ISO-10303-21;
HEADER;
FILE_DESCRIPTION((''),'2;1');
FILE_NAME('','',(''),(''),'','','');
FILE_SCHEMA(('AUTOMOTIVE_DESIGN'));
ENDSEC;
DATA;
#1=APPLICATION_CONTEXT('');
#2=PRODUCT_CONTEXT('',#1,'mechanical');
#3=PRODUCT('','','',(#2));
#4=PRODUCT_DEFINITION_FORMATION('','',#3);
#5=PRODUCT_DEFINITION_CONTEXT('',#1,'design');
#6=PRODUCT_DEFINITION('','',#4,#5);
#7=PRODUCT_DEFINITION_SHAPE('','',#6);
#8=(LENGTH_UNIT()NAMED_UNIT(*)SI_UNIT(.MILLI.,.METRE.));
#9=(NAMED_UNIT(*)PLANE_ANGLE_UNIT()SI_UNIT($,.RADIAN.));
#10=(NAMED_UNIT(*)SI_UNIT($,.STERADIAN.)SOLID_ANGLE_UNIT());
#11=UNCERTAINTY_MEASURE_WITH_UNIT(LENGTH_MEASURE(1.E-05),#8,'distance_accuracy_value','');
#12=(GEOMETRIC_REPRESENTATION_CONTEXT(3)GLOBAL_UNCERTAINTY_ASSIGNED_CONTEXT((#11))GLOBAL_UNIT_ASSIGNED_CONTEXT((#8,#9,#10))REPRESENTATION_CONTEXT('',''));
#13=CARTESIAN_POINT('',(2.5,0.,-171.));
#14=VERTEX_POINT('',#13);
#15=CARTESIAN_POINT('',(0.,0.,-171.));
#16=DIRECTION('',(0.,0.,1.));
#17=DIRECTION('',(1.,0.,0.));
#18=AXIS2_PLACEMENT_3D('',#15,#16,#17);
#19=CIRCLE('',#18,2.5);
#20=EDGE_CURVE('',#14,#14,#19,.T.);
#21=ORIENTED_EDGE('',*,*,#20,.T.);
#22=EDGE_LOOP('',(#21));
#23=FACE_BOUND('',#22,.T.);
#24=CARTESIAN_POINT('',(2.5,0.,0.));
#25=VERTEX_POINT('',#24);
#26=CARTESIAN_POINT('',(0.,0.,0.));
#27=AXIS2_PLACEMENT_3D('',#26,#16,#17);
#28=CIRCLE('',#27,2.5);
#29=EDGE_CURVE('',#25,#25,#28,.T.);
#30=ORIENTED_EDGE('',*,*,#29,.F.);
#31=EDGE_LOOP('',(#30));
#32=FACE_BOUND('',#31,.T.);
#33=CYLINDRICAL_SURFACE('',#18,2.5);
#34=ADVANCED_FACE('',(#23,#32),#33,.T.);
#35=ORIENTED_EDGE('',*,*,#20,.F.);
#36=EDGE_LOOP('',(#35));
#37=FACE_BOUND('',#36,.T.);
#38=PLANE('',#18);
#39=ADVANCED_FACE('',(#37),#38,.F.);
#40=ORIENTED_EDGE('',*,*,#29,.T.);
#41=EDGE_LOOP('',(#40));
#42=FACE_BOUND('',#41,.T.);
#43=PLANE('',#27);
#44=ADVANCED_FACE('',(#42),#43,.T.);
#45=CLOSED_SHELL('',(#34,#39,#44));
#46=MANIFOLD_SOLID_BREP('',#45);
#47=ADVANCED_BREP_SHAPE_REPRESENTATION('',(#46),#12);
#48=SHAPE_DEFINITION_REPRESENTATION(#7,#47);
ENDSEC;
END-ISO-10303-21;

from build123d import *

# Parameters (mm, degrees)
SKETCH1_R           = 2.5
BOSS_EXTRUDE1_DEPTH = 171


with BuildPart() as part:
    # Sketch1 → Boss-Extrude1 (new body)
    with BuildSketch(Plane.XY):
        Circle(SKETCH1_R)
    extrude(amount=-BOSS_EXTRUDE1_DEPTH)


solid = part.part
